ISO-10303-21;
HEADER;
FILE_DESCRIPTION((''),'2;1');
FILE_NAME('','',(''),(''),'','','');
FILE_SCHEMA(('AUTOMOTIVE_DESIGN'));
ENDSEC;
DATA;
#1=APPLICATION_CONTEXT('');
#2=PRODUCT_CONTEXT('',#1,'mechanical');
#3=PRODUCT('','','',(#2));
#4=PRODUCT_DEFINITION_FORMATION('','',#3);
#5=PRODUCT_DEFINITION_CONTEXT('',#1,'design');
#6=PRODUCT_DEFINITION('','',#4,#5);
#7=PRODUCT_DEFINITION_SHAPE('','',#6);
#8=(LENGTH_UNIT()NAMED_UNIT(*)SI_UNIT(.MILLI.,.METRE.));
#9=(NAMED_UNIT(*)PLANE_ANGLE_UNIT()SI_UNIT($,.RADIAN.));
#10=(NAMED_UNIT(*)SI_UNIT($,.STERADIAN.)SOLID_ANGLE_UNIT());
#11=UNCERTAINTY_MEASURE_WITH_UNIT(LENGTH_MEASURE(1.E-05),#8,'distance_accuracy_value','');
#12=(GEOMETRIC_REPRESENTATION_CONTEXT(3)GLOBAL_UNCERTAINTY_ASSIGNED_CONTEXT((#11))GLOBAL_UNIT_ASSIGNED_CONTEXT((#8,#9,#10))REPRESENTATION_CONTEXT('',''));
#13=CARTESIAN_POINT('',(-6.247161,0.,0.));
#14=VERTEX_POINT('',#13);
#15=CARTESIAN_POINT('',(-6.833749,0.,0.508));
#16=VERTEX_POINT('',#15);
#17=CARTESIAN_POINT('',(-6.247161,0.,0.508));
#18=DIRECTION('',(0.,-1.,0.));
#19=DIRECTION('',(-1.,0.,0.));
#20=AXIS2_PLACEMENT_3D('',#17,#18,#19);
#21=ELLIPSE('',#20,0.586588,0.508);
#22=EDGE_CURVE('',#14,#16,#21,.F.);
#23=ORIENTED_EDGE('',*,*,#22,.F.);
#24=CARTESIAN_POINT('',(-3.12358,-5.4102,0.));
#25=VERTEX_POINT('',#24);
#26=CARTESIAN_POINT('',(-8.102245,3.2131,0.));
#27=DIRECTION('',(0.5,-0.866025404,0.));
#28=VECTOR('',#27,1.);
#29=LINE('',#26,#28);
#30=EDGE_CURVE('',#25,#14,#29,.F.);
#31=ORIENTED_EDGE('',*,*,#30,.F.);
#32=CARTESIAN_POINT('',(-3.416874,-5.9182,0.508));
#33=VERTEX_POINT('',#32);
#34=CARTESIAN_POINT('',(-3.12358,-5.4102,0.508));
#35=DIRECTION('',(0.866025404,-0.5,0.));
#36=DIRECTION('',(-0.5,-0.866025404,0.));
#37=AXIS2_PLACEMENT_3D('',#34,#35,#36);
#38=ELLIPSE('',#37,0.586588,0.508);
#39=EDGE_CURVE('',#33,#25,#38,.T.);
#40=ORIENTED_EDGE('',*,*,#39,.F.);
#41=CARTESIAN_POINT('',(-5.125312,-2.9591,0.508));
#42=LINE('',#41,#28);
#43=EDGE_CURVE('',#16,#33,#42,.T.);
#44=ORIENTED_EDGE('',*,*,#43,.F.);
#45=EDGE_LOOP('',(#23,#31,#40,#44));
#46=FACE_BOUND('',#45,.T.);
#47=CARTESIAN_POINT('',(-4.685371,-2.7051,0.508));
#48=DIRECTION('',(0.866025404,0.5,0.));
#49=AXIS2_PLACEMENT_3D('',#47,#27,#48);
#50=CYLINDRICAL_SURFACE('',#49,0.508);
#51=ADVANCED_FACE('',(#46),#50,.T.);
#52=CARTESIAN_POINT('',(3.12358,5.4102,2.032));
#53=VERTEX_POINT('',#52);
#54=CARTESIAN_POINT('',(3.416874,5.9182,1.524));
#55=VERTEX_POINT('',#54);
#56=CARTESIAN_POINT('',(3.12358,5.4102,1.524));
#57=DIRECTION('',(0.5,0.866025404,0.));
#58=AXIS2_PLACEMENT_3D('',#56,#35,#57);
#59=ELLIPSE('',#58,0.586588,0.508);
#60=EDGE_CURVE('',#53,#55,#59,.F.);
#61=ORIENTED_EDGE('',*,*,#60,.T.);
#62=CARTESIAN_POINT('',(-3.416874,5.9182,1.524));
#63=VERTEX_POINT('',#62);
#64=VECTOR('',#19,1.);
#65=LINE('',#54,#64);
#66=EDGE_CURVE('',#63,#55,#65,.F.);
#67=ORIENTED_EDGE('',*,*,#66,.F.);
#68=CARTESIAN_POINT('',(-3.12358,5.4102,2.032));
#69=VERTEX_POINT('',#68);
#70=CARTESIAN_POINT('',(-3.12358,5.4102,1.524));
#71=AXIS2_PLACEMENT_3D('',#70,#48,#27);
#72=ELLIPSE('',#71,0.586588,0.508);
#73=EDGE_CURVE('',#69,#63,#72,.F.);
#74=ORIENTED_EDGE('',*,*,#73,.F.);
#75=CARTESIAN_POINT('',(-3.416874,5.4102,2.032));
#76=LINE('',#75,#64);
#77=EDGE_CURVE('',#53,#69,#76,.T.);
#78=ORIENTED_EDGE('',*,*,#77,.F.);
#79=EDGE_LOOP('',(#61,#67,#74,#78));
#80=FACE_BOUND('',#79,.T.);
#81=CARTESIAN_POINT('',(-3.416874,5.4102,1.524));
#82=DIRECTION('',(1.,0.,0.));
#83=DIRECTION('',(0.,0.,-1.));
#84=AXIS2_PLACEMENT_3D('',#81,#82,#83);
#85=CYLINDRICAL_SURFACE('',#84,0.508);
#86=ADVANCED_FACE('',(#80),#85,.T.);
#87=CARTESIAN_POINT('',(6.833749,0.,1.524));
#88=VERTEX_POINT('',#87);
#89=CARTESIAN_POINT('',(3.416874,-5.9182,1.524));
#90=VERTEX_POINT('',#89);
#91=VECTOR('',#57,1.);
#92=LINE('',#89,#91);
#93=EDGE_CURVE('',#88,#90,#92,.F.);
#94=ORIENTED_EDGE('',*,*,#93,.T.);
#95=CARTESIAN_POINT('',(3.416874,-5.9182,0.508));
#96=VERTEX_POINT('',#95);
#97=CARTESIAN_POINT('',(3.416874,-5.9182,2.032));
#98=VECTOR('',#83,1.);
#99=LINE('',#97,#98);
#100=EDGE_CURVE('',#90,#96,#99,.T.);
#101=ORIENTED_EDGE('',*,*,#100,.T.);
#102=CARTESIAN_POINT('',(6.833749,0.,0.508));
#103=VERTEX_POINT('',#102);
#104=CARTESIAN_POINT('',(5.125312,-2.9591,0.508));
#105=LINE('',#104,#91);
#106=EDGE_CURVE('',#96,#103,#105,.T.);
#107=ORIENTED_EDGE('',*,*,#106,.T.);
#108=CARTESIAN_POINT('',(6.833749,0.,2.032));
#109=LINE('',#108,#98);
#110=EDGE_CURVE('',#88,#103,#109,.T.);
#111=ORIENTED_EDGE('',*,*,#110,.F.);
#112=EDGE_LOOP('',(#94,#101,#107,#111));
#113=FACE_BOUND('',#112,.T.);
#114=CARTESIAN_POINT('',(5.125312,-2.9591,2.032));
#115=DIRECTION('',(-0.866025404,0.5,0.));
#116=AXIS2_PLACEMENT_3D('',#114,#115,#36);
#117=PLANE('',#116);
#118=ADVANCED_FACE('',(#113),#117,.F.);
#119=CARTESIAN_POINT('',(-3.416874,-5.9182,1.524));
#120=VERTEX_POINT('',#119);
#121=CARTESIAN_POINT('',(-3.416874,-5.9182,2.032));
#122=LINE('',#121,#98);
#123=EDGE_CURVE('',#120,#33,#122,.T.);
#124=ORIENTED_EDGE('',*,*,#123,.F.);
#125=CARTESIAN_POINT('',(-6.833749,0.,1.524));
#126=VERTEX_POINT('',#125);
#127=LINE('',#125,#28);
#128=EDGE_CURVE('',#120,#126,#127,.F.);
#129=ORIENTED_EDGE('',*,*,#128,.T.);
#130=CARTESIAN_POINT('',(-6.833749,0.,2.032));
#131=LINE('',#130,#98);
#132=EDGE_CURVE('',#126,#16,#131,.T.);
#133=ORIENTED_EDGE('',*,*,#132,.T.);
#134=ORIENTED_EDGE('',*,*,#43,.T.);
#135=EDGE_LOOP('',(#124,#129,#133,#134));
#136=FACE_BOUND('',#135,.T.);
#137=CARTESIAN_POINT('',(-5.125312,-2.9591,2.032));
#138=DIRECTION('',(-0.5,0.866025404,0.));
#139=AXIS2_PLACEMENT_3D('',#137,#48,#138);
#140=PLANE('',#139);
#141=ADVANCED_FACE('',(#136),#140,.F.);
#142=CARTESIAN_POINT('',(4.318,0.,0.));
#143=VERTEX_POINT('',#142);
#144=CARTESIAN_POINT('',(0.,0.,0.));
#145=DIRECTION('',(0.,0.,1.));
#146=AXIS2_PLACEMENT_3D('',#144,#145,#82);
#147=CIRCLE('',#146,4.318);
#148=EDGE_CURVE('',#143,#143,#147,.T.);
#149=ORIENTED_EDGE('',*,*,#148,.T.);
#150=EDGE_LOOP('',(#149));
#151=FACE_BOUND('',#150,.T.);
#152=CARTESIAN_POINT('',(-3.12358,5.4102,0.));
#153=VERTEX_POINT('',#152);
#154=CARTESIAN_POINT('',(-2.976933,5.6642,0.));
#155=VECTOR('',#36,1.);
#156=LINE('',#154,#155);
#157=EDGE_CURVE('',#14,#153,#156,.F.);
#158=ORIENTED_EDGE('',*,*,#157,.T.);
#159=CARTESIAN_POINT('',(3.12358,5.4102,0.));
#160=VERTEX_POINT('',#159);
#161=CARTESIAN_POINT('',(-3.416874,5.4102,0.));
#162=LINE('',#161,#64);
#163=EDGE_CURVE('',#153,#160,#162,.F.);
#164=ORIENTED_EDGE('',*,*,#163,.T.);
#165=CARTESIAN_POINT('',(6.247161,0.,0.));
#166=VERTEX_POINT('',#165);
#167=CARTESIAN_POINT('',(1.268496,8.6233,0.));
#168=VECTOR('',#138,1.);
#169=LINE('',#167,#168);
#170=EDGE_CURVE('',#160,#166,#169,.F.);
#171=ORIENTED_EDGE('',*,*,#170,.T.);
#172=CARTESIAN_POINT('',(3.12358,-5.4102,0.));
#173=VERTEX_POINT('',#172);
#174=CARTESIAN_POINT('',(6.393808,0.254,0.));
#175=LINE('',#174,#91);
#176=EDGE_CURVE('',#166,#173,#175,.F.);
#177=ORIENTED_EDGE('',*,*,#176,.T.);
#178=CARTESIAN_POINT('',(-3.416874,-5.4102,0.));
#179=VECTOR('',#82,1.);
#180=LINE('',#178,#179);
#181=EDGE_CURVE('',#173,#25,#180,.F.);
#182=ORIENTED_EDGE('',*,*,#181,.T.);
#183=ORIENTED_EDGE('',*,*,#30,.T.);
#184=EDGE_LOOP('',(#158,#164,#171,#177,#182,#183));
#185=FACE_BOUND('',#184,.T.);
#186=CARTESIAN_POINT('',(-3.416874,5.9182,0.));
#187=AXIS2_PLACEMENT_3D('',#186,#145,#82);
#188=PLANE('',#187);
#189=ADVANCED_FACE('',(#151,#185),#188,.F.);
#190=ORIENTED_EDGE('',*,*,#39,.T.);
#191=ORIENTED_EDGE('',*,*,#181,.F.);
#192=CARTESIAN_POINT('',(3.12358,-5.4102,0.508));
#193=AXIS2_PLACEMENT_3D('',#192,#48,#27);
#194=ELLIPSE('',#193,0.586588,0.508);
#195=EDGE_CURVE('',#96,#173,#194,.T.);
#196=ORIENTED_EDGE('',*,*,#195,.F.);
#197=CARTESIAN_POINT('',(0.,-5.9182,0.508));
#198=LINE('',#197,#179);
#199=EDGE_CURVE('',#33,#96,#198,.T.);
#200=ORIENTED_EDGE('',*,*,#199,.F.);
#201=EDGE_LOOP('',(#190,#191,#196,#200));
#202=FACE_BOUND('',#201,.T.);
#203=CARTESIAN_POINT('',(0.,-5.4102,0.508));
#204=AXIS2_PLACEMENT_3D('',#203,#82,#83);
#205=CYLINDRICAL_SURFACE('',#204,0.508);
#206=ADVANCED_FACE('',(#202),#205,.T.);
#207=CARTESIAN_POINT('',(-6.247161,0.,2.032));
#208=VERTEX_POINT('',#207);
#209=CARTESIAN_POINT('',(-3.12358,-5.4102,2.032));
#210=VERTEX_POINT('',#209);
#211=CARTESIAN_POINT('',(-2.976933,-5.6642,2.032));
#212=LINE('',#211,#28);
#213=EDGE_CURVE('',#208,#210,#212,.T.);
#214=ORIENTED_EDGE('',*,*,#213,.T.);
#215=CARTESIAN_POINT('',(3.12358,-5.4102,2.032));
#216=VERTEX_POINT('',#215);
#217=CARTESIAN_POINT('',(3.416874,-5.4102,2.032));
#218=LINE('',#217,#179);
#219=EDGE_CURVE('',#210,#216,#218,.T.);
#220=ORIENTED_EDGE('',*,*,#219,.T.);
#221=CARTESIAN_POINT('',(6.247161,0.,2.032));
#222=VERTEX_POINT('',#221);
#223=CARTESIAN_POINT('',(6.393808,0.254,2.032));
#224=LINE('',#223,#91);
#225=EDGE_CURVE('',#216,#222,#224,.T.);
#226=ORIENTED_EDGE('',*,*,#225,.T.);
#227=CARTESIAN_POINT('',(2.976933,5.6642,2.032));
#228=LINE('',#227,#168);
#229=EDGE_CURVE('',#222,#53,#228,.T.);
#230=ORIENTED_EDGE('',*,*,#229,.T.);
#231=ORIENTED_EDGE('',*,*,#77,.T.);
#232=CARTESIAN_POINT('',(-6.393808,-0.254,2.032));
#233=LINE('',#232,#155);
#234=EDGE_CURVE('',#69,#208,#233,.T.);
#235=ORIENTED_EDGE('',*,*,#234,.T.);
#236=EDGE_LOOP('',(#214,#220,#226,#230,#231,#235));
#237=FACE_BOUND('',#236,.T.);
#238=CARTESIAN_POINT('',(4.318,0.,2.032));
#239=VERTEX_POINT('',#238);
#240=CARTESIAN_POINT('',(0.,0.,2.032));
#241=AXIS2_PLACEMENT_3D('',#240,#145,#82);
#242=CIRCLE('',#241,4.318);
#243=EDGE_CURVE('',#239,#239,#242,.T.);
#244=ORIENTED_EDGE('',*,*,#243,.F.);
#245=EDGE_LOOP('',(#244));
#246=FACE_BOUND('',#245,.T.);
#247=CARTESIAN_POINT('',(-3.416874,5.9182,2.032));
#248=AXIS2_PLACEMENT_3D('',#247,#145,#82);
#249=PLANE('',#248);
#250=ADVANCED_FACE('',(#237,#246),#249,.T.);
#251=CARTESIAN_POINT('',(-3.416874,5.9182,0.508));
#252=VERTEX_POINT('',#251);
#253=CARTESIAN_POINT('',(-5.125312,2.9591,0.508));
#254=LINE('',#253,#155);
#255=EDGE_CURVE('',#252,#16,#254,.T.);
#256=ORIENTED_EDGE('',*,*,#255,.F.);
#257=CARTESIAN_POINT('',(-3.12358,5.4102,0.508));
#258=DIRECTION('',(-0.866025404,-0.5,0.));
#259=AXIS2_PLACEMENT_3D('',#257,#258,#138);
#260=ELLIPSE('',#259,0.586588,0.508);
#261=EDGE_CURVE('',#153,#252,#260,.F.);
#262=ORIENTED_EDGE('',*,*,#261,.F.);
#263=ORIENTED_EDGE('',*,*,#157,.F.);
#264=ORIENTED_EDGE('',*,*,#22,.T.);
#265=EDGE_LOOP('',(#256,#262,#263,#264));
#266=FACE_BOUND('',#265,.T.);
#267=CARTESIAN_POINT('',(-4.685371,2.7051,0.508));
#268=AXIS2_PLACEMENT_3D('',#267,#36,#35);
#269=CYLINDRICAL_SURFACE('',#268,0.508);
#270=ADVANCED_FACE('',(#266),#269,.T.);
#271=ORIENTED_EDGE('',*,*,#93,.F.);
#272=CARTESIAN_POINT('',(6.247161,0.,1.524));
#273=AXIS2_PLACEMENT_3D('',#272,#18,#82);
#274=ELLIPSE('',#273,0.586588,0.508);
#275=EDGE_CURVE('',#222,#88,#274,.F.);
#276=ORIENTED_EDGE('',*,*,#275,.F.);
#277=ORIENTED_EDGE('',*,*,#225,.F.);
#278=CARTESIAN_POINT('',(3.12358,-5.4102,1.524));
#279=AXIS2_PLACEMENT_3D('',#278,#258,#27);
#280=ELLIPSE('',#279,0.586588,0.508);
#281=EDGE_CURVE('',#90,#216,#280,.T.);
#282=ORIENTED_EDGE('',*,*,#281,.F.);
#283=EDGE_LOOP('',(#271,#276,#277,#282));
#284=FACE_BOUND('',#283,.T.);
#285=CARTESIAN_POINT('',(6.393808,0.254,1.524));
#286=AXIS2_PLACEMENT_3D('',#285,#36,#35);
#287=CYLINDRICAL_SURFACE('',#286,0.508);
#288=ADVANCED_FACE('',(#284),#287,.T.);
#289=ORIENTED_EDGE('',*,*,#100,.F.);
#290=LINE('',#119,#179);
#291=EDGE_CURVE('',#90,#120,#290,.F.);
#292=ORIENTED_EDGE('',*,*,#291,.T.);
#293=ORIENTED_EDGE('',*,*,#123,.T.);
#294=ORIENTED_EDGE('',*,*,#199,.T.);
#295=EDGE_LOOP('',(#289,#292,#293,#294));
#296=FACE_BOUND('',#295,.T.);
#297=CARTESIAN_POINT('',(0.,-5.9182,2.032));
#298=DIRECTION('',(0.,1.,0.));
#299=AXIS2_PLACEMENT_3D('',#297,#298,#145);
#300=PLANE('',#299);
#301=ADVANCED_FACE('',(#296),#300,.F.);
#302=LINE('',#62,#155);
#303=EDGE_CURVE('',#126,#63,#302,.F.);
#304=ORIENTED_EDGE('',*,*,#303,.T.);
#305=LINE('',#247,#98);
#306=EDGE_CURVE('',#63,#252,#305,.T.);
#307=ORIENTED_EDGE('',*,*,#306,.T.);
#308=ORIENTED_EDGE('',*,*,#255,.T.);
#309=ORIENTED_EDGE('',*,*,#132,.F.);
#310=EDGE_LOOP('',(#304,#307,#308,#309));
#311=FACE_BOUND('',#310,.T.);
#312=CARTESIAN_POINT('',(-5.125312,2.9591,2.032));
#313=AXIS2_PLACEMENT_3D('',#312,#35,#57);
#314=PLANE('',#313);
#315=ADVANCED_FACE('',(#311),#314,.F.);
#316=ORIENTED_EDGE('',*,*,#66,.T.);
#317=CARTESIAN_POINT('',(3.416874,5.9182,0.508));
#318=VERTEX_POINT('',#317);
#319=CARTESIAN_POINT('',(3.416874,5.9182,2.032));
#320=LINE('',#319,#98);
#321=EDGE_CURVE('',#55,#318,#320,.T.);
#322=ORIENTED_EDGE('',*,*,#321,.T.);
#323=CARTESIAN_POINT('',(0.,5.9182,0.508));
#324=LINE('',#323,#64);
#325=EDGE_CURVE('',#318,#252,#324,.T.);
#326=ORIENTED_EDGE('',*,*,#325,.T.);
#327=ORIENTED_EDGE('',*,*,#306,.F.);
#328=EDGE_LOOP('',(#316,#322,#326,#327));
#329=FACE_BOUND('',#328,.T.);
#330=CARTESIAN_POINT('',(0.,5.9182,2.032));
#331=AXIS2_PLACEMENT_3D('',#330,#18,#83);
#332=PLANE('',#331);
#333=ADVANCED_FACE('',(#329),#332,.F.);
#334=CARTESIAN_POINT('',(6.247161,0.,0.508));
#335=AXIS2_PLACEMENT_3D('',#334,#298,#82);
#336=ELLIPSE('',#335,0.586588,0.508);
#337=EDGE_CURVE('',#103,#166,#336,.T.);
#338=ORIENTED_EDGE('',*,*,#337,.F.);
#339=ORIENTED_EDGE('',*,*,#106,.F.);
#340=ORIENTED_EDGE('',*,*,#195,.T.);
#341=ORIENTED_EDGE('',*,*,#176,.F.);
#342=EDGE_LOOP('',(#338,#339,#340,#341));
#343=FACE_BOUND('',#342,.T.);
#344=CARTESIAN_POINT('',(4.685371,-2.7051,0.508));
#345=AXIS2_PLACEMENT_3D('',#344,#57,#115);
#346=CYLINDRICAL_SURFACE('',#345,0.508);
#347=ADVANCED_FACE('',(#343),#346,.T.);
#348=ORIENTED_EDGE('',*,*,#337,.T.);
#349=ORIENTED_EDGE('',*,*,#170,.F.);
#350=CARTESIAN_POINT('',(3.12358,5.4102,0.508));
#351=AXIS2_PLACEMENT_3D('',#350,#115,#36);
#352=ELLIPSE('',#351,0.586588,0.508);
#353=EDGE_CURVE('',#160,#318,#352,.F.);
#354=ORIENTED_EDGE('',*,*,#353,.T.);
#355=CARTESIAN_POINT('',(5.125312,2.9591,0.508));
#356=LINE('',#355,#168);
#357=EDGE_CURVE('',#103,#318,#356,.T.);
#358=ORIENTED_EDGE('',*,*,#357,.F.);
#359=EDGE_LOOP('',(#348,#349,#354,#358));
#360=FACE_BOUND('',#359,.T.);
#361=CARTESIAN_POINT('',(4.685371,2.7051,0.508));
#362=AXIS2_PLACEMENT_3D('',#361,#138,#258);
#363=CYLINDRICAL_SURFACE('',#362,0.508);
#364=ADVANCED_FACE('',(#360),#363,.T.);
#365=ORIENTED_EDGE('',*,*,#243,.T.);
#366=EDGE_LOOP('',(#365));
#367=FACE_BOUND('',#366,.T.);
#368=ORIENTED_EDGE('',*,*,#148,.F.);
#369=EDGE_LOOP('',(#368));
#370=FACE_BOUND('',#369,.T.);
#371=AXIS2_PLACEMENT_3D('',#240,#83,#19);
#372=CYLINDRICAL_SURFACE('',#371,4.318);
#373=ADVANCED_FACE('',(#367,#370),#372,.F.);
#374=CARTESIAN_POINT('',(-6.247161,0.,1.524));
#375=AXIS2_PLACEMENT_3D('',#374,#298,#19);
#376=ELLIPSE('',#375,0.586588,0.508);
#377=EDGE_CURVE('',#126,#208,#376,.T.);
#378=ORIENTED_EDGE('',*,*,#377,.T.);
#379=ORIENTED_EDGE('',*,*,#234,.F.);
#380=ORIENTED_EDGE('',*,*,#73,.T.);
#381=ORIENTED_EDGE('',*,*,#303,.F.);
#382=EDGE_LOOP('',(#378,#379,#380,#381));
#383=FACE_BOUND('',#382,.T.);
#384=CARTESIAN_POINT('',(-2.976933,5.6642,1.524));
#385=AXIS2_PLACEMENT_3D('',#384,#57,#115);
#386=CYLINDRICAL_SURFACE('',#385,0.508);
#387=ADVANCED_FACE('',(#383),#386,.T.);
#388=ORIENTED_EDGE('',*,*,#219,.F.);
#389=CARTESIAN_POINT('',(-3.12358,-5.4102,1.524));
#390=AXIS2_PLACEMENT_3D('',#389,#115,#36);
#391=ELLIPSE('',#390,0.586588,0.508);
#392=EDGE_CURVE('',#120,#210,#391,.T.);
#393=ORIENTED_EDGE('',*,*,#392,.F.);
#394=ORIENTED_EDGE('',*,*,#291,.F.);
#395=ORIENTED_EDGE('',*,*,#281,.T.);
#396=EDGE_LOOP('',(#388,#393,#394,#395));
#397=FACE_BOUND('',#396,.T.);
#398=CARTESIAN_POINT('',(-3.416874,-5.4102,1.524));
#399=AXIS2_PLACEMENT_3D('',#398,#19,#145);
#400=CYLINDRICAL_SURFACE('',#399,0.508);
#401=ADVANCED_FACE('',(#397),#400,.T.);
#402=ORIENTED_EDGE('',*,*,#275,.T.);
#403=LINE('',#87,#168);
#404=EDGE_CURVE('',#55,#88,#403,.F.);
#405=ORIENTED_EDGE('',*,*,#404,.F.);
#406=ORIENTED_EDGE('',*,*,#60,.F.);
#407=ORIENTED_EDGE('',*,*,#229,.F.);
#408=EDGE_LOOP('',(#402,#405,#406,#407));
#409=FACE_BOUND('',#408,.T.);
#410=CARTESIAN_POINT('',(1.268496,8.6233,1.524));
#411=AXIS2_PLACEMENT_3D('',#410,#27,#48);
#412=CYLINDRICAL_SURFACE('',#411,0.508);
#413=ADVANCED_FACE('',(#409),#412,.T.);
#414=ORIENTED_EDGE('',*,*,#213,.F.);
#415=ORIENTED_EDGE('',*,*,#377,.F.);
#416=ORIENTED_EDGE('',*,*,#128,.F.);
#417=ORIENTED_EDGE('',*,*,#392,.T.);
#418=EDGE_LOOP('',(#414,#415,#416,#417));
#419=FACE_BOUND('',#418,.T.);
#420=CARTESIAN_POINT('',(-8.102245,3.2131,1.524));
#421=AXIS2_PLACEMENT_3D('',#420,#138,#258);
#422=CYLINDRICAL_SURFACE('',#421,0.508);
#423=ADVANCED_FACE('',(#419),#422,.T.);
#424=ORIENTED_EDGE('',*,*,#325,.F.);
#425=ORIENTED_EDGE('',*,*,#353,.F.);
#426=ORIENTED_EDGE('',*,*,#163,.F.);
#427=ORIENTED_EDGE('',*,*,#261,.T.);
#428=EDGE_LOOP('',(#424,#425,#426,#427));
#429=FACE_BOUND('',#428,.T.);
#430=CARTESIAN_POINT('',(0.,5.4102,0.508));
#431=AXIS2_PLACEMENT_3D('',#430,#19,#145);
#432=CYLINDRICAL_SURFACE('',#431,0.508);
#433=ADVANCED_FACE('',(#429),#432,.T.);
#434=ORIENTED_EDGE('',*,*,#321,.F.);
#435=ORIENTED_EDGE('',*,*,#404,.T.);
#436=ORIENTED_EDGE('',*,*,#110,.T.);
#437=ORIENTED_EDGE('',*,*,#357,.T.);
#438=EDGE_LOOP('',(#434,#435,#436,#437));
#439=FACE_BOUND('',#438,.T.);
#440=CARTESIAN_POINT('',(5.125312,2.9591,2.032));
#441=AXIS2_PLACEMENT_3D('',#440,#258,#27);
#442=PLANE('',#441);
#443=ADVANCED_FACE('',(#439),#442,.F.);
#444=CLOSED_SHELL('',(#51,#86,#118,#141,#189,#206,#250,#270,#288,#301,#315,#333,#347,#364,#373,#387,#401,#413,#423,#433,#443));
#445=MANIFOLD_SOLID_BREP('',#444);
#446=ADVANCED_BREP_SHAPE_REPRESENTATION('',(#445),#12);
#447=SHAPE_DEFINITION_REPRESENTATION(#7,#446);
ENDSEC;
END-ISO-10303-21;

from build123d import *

# Parameters (mm, degrees)
SKETCH1_R      = 4.317999999999999
EXTRUDE1_DEPTH = 2.032
FILLET1_R      = 0.508


with BuildPart() as part:
    # Sketch1 → Extrude1 (new body)
    with BuildSketch(Plane.XY):
        Polygon((-5.125311544677072, 2.9590999999999883), (-6.833748726236091, -2.364e-14), (-5.125311544677051, -2.959100000000024), (-3.4168743631180254, -5.918200000000001), (0, -5.918200000000001), (3.4168743631180534, -5.918200000000001), (5.125311544677072, -2.9590999999999883), (6.833748726236091, 2.45e-14), (5.125311544677051, 2.959100000000024), (3.4168743631180254, 5.918200000000001), (0, 5.918200000000001), (-3.4168743631180534, 5.918200000000001), align=None)
        Circle(SKETCH1_R, mode=Mode.SUBTRACT)
    extrude(amount=EXTRUDE1_DEPTH)

    # Fillet1
    fillet1_edges = [part.edges().sort_by_distance(p)[0] for p in [
        (-5.125311544677058, -2.9591000000000123, 2.032),
        (-1.421e-14, 5.918200000000001, 0),
        (5.125311544677058, 2.9591000000000123, 0),
        (5.125311544677072, -2.959099999999988, 0),
        (1.421e-14, -5.918200000000001, 0),
        (-5.125311544677058, -2.959100000000012, 0),
        (-5.125311544677072, 2.9590999999999883, 0),
        (1.377e-14, -5.918200000000001, 2.032),
        (5.125311544677072, -2.9590999999999883, 2.032),
        (5.125311544677058, 2.9591000000000127, 2.032),
        (-1.377e-14, 5.918200000000001, 2.032),
        (-5.125311544677072, 2.9590999999999887, 2.032),
    ]]
    fillet(fillet1_edges, radius=FILLET1_R)


solid = part.part
